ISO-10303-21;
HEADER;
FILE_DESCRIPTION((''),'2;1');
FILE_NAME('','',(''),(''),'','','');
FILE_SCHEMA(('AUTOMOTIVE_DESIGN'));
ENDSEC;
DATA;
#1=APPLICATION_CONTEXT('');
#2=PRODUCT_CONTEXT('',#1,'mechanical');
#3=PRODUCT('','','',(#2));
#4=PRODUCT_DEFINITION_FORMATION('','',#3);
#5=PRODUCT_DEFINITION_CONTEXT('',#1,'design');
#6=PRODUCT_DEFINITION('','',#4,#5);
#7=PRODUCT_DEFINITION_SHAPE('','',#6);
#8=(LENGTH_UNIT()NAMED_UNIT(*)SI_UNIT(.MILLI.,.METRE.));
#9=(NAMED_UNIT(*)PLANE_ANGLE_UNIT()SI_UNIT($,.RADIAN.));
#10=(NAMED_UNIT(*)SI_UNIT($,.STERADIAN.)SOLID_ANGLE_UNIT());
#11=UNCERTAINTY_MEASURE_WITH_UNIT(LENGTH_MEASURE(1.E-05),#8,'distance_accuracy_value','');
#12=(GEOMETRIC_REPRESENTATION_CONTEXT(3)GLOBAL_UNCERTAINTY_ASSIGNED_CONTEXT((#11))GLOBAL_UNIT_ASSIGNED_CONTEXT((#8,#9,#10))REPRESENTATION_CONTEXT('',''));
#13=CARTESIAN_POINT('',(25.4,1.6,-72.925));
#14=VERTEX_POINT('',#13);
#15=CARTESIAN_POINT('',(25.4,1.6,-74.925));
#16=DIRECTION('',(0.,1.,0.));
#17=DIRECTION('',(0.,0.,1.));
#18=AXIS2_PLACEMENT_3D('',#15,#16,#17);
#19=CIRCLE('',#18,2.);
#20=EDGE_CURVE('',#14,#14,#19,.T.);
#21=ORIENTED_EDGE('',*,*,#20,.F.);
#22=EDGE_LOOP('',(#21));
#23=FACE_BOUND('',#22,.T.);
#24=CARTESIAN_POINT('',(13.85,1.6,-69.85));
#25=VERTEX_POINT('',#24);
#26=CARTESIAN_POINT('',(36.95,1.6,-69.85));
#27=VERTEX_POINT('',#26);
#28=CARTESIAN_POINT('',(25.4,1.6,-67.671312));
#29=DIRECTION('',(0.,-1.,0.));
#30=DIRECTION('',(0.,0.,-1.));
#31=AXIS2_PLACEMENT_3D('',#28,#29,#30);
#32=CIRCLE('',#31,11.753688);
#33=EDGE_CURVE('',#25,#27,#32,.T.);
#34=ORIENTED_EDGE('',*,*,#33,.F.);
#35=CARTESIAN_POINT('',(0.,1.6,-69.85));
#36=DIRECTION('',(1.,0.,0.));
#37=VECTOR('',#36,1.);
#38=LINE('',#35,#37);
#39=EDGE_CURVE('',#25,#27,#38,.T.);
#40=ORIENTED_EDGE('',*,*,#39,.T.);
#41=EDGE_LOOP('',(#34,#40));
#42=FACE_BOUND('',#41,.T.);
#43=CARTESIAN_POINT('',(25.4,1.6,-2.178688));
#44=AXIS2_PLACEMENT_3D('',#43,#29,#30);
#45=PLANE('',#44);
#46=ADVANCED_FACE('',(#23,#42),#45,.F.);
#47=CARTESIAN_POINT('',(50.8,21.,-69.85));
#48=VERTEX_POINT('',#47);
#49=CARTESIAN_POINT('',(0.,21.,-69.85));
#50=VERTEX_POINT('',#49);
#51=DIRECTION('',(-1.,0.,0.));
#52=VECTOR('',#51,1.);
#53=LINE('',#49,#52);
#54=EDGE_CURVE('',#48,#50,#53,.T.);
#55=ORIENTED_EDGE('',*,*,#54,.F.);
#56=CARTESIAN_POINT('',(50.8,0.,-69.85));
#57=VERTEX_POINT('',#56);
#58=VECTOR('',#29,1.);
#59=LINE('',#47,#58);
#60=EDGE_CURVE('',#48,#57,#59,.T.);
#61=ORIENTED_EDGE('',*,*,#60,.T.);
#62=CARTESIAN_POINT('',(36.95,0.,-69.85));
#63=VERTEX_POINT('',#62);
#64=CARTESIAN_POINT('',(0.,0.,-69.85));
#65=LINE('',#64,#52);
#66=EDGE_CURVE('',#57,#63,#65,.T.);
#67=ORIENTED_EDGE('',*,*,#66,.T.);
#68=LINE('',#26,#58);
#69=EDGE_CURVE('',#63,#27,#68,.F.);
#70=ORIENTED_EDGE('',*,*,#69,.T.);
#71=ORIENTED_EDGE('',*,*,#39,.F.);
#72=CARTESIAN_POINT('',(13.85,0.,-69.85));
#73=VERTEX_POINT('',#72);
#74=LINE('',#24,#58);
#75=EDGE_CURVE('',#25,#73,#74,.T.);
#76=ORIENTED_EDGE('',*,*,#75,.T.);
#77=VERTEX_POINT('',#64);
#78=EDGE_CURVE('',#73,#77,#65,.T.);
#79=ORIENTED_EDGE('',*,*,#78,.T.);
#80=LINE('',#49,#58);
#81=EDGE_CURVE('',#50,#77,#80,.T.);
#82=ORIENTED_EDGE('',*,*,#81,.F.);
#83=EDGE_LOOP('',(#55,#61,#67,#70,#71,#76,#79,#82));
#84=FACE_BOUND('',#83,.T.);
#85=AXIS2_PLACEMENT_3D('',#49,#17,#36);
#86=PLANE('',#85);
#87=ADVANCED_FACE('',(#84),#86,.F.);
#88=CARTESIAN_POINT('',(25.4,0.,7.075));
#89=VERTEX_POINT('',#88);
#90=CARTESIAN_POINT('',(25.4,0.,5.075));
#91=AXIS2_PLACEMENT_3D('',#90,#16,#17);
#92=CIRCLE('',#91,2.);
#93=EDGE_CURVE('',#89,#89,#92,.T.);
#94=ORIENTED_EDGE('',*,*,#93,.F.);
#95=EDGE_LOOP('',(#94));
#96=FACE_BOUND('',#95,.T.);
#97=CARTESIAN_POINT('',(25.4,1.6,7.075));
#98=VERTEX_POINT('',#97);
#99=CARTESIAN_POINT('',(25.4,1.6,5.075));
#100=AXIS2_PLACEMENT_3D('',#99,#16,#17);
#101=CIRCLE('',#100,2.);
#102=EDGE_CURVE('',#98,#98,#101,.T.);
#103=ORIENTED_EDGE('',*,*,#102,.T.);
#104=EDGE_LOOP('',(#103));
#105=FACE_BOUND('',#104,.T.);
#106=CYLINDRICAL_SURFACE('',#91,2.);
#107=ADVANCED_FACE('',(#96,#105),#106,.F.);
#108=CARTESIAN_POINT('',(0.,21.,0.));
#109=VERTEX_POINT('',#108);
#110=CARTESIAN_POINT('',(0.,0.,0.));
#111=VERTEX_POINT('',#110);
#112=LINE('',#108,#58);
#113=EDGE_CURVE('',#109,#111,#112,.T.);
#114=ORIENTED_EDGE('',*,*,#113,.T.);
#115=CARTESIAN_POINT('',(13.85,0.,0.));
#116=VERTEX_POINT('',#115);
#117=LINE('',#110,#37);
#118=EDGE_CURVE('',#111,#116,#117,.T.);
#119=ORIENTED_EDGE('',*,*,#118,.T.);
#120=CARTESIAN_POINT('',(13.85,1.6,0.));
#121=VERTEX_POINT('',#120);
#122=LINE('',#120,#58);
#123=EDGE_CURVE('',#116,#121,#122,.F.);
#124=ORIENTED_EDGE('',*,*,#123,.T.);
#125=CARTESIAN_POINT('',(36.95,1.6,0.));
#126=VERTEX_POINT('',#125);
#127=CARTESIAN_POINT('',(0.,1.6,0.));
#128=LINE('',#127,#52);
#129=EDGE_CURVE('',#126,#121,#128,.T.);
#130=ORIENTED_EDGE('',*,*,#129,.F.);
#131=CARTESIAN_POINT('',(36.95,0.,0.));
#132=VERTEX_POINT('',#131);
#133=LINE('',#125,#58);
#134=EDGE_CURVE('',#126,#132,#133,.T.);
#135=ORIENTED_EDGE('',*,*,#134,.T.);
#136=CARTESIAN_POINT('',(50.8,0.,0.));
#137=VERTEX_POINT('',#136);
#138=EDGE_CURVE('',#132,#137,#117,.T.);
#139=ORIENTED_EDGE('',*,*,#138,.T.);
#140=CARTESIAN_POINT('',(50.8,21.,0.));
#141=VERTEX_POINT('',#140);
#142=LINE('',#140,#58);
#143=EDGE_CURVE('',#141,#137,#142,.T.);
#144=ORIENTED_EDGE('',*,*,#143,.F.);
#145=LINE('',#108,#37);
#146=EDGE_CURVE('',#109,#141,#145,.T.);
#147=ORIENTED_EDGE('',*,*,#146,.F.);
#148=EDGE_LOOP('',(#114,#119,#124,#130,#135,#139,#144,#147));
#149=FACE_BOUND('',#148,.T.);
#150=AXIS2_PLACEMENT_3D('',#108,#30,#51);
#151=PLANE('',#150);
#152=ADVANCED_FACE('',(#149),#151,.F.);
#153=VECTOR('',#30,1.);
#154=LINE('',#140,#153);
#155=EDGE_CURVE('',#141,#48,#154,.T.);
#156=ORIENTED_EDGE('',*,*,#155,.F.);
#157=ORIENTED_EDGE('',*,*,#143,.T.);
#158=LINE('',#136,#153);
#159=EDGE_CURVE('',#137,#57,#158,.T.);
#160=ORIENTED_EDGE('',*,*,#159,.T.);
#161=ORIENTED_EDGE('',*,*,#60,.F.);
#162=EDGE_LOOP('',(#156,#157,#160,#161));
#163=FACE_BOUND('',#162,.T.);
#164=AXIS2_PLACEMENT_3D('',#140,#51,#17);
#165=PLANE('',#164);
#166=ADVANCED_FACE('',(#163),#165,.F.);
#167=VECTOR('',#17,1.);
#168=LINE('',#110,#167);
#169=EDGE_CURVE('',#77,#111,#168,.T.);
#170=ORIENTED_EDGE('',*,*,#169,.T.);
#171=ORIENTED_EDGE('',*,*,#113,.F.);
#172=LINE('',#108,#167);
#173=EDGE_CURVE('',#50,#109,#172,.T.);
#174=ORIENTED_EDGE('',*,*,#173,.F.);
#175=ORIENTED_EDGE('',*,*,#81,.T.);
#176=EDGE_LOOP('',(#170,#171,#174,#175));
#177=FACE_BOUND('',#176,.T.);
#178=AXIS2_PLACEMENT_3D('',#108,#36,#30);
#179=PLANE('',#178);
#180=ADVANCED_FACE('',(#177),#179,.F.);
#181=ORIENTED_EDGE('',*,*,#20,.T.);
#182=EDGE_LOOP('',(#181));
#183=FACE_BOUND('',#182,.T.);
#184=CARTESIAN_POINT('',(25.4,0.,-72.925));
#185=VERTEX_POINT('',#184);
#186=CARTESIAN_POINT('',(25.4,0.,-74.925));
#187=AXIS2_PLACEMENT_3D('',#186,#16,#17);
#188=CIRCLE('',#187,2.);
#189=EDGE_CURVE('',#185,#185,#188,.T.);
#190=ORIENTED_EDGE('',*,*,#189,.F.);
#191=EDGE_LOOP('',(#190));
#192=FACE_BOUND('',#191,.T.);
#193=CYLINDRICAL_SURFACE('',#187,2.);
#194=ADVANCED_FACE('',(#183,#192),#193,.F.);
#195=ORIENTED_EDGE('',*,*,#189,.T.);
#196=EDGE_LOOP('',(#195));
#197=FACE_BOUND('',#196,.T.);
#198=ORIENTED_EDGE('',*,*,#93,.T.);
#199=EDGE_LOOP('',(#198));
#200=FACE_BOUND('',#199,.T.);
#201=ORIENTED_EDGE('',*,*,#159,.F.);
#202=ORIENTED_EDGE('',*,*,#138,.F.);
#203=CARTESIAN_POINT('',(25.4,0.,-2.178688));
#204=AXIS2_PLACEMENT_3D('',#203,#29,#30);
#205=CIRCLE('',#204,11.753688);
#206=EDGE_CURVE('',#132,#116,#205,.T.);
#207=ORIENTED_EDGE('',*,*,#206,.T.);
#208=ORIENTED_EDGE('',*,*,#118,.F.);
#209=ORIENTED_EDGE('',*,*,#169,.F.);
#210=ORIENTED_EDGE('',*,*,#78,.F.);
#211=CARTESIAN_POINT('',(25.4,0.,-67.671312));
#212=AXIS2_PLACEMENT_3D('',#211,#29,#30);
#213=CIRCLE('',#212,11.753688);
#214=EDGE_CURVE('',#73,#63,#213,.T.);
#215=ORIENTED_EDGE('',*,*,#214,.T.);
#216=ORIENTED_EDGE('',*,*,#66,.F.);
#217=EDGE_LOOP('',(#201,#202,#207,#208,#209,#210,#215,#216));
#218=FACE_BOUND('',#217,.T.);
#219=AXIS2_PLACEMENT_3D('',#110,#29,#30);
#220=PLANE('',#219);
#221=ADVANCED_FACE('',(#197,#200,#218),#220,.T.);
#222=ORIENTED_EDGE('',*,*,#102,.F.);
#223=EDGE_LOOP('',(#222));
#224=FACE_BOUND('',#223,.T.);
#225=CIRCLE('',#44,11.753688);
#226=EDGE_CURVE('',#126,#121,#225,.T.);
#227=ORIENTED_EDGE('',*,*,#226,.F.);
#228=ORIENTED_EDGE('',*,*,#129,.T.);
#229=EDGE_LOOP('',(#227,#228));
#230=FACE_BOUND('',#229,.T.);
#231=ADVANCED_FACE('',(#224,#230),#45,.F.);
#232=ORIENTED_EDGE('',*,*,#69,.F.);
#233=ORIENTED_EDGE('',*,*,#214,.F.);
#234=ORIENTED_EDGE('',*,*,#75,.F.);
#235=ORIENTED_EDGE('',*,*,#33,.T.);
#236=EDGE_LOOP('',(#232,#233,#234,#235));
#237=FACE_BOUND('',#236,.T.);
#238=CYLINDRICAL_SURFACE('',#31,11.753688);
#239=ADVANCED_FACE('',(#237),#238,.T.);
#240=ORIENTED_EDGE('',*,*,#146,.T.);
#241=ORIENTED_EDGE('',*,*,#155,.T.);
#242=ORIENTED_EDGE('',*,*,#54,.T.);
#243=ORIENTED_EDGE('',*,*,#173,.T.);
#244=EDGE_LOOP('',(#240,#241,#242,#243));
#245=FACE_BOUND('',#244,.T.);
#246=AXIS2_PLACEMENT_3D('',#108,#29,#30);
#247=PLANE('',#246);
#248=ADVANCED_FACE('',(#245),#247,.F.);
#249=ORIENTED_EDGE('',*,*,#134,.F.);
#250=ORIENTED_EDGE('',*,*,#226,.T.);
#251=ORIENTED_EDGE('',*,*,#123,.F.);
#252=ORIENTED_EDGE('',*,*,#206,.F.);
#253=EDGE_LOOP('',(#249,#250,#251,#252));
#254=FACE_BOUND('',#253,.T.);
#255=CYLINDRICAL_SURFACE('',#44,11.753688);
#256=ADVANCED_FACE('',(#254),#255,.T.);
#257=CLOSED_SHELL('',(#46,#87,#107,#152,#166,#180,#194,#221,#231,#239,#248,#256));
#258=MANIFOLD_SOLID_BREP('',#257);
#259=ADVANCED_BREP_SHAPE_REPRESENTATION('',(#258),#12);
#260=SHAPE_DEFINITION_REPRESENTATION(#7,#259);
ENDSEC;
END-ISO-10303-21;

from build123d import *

# Parameters (mm, degrees)
SKETCH1_W           = 50.8
SKETCH1_H           = 69.85
BOSS_EXTRUDE1_DEPTH = 21
BOSS_EXTRUDE2_DEPTH = 1.6
SKETCH3_R           = 2
CUT_EXTRUDE1_DEPTH  = 2.6


with BuildPart() as part:
    # Sketch1 → Boss-Extrude1 (new body)
    with BuildSketch(Plane(origin=(0, 0, 0), x_dir=(1, 0, 0), z_dir=(0, 1, 0))):
        with Locations((25.4, 34.925)):
            Rectangle(SKETCH1_W, SKETCH1_H)
    extrude(amount=BOSS_EXTRUDE1_DEPTH)

    # Sketch2 → Boss-Extrude2 (add)
    with BuildSketch(Plane.XZ):
        with BuildLine():
            Line((37.15368799, -2.17868799), (37.15368799, -67.67131201))
            ThreePointArc((37.15368799, -67.67131201), (25.4, -79.425), (13.64631201, -67.67131201))
            Line((13.64631201, -67.67131201), (13.64631201, -2.17868799))
            ThreePointArc((13.64631201, -2.17868799), (25.4, 9.575), (37.15368799, -2.17868799))
        make_face()
    extrude(amount=-BOSS_EXTRUDE2_DEPTH)

    # Sketch3 → Cut-Extrude1 (cut, through all)
    with BuildSketch(Plane(origin=(0, 1.6, 0), x_dir=(1, 0, 0), z_dir=(0, 1, 0))):
        with Locations((25.4, 74.925)):
            Circle(SKETCH3_R)
        with Locations((25.4, -5.075)):
            Circle(SKETCH3_R)
    extrude(amount=-CUT_EXTRUDE1_DEPTH, mode=Mode.SUBTRACT)


solid = part.part
